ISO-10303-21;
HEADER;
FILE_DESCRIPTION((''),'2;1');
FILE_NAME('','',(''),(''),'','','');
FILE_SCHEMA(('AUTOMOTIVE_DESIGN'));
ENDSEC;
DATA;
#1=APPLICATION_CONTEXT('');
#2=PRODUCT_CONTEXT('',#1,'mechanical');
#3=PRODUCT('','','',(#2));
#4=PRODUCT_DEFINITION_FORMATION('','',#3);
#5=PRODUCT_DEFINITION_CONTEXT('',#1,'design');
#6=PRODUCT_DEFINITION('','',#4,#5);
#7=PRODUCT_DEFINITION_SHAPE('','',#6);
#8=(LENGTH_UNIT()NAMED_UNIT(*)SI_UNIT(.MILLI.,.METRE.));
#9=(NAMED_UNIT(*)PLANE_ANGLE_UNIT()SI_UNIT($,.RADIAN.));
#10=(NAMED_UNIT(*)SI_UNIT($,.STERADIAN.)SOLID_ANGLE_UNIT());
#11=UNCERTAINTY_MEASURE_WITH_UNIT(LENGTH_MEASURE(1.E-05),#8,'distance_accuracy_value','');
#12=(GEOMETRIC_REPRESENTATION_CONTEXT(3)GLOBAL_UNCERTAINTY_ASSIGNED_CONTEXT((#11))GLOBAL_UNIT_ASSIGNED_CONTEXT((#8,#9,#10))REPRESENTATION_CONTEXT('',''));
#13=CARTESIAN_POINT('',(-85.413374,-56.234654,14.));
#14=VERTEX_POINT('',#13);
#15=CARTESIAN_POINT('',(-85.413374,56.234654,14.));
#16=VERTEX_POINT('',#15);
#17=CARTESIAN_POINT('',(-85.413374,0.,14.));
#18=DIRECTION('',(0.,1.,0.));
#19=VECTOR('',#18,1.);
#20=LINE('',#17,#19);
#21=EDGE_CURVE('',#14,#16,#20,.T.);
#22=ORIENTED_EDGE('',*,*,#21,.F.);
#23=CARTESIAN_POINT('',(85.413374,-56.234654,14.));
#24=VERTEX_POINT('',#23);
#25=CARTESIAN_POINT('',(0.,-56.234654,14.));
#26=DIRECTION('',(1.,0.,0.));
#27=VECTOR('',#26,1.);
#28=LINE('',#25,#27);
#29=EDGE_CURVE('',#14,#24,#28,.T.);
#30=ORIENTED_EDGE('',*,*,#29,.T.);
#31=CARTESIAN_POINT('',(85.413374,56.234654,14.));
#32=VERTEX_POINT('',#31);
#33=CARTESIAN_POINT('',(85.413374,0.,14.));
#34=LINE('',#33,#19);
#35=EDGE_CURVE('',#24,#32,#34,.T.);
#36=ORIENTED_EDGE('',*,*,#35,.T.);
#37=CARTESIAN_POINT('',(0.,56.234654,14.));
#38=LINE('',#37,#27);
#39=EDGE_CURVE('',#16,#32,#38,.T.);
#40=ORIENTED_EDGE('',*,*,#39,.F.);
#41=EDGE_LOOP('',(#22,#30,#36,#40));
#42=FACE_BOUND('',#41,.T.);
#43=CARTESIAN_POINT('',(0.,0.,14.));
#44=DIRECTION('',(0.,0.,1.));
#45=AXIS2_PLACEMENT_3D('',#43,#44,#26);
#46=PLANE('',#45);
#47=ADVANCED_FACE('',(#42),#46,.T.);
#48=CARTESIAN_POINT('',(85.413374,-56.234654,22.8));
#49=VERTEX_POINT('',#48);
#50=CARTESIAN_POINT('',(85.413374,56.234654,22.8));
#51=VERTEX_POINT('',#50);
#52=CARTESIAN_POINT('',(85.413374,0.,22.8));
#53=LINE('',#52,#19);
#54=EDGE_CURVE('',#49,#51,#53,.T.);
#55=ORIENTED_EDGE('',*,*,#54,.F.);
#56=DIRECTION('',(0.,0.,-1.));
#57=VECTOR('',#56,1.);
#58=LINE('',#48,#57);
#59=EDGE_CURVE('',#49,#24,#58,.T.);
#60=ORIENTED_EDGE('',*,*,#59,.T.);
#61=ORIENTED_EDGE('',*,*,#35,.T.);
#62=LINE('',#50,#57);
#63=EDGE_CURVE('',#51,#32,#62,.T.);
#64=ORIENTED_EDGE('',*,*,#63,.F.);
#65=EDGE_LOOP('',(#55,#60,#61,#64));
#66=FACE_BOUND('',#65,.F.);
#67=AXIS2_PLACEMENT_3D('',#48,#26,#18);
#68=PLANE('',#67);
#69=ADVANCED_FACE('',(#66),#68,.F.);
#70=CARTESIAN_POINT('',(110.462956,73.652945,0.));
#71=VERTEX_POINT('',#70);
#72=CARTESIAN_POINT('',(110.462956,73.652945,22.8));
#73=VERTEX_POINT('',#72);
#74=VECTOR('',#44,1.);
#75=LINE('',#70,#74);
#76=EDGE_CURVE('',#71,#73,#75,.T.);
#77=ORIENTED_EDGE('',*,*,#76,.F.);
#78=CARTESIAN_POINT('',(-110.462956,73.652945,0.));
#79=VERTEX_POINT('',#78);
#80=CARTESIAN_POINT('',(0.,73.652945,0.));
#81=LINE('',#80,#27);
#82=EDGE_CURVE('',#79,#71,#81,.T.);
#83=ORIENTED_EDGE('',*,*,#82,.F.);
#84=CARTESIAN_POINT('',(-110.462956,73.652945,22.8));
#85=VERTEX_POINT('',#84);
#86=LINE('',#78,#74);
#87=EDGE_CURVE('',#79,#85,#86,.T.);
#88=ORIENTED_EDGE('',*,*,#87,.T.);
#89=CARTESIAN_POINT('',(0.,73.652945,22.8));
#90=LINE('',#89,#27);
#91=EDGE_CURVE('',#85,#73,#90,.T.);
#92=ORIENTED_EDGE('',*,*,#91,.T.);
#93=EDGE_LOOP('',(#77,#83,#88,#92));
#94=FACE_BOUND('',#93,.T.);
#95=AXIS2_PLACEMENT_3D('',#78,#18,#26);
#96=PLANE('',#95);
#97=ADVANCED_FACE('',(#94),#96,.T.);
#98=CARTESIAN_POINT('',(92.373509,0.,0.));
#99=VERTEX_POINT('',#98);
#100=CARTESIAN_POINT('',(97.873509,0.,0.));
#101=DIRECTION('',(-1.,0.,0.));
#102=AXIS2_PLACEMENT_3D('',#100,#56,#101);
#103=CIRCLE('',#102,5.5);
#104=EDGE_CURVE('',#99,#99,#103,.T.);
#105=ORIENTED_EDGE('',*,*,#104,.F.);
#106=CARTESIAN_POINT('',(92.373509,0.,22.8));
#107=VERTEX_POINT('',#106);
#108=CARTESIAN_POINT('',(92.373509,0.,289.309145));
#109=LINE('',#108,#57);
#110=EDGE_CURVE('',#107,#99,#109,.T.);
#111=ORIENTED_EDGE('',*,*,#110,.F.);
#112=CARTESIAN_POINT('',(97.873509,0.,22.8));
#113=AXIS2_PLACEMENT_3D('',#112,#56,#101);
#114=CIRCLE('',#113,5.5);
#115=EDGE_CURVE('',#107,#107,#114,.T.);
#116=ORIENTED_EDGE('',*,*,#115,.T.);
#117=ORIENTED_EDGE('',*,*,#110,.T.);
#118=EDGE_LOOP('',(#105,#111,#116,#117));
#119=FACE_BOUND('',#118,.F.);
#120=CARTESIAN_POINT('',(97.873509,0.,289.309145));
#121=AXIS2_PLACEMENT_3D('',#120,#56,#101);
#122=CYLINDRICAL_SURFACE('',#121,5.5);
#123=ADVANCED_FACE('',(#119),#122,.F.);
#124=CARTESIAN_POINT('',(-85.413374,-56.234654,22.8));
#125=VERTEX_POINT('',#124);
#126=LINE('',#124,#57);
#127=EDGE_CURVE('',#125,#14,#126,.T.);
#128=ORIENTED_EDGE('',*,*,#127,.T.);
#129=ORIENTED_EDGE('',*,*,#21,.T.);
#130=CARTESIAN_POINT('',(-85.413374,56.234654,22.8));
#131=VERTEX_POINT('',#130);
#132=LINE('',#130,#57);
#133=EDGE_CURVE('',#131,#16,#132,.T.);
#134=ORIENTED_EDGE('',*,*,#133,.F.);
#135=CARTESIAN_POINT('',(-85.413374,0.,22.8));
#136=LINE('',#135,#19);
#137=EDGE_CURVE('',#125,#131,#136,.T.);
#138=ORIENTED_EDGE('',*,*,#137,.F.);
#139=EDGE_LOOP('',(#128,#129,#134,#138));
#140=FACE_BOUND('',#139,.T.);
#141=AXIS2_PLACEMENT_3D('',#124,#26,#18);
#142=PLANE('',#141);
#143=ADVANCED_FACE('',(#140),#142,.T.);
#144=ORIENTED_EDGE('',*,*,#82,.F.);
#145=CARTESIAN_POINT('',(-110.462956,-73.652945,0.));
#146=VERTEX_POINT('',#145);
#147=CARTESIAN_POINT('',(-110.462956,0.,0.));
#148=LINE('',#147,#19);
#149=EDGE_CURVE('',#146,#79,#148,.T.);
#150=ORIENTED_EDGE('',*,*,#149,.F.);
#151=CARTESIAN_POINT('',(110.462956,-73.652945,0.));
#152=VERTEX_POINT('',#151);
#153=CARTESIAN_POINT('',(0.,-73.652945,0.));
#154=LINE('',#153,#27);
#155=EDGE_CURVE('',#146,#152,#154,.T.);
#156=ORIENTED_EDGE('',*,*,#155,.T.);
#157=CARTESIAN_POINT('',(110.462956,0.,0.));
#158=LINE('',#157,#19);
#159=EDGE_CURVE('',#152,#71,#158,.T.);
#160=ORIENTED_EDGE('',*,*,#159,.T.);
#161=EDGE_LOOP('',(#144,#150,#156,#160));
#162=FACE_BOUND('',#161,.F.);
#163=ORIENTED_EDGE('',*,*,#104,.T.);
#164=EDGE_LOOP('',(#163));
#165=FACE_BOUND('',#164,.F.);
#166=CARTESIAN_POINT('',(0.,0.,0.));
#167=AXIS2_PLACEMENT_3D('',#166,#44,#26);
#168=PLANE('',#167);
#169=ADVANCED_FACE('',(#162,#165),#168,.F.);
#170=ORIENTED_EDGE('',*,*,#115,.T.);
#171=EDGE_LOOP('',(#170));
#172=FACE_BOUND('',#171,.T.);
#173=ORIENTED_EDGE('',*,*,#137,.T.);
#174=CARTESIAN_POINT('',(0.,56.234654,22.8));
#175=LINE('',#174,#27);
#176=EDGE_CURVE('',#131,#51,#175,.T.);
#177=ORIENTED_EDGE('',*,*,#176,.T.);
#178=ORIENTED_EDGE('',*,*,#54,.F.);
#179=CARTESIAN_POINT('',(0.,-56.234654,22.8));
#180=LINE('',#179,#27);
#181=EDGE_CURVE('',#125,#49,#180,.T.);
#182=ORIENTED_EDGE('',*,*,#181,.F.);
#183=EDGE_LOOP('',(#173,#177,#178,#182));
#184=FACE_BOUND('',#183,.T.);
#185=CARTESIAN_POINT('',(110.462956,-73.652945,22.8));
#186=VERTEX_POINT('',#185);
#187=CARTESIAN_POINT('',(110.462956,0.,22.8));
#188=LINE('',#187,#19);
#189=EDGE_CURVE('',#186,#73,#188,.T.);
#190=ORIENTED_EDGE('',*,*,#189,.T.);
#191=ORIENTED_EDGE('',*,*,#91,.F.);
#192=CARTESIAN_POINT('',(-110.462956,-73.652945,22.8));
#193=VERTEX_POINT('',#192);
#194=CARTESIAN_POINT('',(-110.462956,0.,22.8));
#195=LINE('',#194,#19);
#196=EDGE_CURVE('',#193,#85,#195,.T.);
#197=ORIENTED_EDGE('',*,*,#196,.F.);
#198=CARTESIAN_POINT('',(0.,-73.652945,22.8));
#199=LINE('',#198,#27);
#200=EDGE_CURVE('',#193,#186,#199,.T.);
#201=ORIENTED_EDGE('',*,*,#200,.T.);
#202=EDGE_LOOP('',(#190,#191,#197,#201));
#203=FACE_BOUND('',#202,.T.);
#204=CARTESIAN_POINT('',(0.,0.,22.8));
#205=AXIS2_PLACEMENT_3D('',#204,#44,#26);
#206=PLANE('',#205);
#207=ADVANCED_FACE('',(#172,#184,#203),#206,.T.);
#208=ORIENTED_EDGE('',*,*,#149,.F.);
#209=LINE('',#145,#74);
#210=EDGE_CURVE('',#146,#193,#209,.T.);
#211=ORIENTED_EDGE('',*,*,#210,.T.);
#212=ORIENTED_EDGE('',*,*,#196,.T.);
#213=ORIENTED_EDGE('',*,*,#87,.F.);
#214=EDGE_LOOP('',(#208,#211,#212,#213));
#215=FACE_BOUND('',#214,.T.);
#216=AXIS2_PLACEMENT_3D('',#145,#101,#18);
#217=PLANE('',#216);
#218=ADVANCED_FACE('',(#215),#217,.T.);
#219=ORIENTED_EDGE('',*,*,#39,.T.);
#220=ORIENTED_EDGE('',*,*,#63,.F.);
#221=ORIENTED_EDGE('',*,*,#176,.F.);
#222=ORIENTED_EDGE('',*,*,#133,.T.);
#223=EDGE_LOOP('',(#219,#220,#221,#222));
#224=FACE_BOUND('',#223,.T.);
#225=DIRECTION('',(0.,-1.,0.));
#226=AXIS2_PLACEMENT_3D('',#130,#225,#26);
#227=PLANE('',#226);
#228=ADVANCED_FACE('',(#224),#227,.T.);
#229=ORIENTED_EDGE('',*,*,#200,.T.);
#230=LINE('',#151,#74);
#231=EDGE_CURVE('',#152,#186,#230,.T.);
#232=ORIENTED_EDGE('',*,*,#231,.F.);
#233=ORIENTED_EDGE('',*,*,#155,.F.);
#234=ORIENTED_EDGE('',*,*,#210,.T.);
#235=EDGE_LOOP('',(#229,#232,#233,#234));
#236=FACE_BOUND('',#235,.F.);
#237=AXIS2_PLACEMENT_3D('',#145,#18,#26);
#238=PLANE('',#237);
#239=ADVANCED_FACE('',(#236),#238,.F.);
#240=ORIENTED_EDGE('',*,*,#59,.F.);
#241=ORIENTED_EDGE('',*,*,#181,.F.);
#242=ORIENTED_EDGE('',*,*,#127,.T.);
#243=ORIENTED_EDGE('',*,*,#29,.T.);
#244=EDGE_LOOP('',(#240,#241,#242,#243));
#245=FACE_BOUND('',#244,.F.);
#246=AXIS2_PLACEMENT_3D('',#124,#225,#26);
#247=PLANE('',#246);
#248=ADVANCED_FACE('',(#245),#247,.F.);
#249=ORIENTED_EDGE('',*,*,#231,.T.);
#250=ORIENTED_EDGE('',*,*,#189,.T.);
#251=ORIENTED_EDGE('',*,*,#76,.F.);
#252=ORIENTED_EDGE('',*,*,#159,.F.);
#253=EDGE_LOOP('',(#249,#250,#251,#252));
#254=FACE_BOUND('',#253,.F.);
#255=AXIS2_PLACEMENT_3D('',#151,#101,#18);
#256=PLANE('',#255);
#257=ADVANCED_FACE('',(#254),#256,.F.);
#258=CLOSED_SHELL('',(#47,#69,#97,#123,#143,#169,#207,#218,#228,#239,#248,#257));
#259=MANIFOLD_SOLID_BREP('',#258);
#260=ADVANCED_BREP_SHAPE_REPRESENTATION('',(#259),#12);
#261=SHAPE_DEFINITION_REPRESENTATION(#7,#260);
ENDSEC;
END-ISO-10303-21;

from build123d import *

# Parameters (mm, degrees)
F0_W     = 220.925912261
F0_H     = 147.3058909178
F1_DEPTH = 22.8
F2_W     = 170.8267480135
F2_H     = 112.4693089873
F3_DEPTH = 8.8
F5_D     = 11


with BuildPart() as f1:
    # F0 (on Top) → F1 (new body)
    with BuildSketch(Plane.XY):
        Rectangle(F0_W, F0_H)
    extrude(amount=F1_DEPTH)

    # F2 (on face) → F3 (cut)
    with BuildSketch(Plane.XY.offset(22.8)):
        Rectangle(F2_W, F2_H)
    extrude(amount=-F3_DEPTH, mode=Mode.SUBTRACT)

    # F5 (through all)
    with Locations(Plane.XY.offset(22.8)):
        with Locations((97.8735089302, 0)):
            Hole(F5_D / 2)


solid = f1.part
